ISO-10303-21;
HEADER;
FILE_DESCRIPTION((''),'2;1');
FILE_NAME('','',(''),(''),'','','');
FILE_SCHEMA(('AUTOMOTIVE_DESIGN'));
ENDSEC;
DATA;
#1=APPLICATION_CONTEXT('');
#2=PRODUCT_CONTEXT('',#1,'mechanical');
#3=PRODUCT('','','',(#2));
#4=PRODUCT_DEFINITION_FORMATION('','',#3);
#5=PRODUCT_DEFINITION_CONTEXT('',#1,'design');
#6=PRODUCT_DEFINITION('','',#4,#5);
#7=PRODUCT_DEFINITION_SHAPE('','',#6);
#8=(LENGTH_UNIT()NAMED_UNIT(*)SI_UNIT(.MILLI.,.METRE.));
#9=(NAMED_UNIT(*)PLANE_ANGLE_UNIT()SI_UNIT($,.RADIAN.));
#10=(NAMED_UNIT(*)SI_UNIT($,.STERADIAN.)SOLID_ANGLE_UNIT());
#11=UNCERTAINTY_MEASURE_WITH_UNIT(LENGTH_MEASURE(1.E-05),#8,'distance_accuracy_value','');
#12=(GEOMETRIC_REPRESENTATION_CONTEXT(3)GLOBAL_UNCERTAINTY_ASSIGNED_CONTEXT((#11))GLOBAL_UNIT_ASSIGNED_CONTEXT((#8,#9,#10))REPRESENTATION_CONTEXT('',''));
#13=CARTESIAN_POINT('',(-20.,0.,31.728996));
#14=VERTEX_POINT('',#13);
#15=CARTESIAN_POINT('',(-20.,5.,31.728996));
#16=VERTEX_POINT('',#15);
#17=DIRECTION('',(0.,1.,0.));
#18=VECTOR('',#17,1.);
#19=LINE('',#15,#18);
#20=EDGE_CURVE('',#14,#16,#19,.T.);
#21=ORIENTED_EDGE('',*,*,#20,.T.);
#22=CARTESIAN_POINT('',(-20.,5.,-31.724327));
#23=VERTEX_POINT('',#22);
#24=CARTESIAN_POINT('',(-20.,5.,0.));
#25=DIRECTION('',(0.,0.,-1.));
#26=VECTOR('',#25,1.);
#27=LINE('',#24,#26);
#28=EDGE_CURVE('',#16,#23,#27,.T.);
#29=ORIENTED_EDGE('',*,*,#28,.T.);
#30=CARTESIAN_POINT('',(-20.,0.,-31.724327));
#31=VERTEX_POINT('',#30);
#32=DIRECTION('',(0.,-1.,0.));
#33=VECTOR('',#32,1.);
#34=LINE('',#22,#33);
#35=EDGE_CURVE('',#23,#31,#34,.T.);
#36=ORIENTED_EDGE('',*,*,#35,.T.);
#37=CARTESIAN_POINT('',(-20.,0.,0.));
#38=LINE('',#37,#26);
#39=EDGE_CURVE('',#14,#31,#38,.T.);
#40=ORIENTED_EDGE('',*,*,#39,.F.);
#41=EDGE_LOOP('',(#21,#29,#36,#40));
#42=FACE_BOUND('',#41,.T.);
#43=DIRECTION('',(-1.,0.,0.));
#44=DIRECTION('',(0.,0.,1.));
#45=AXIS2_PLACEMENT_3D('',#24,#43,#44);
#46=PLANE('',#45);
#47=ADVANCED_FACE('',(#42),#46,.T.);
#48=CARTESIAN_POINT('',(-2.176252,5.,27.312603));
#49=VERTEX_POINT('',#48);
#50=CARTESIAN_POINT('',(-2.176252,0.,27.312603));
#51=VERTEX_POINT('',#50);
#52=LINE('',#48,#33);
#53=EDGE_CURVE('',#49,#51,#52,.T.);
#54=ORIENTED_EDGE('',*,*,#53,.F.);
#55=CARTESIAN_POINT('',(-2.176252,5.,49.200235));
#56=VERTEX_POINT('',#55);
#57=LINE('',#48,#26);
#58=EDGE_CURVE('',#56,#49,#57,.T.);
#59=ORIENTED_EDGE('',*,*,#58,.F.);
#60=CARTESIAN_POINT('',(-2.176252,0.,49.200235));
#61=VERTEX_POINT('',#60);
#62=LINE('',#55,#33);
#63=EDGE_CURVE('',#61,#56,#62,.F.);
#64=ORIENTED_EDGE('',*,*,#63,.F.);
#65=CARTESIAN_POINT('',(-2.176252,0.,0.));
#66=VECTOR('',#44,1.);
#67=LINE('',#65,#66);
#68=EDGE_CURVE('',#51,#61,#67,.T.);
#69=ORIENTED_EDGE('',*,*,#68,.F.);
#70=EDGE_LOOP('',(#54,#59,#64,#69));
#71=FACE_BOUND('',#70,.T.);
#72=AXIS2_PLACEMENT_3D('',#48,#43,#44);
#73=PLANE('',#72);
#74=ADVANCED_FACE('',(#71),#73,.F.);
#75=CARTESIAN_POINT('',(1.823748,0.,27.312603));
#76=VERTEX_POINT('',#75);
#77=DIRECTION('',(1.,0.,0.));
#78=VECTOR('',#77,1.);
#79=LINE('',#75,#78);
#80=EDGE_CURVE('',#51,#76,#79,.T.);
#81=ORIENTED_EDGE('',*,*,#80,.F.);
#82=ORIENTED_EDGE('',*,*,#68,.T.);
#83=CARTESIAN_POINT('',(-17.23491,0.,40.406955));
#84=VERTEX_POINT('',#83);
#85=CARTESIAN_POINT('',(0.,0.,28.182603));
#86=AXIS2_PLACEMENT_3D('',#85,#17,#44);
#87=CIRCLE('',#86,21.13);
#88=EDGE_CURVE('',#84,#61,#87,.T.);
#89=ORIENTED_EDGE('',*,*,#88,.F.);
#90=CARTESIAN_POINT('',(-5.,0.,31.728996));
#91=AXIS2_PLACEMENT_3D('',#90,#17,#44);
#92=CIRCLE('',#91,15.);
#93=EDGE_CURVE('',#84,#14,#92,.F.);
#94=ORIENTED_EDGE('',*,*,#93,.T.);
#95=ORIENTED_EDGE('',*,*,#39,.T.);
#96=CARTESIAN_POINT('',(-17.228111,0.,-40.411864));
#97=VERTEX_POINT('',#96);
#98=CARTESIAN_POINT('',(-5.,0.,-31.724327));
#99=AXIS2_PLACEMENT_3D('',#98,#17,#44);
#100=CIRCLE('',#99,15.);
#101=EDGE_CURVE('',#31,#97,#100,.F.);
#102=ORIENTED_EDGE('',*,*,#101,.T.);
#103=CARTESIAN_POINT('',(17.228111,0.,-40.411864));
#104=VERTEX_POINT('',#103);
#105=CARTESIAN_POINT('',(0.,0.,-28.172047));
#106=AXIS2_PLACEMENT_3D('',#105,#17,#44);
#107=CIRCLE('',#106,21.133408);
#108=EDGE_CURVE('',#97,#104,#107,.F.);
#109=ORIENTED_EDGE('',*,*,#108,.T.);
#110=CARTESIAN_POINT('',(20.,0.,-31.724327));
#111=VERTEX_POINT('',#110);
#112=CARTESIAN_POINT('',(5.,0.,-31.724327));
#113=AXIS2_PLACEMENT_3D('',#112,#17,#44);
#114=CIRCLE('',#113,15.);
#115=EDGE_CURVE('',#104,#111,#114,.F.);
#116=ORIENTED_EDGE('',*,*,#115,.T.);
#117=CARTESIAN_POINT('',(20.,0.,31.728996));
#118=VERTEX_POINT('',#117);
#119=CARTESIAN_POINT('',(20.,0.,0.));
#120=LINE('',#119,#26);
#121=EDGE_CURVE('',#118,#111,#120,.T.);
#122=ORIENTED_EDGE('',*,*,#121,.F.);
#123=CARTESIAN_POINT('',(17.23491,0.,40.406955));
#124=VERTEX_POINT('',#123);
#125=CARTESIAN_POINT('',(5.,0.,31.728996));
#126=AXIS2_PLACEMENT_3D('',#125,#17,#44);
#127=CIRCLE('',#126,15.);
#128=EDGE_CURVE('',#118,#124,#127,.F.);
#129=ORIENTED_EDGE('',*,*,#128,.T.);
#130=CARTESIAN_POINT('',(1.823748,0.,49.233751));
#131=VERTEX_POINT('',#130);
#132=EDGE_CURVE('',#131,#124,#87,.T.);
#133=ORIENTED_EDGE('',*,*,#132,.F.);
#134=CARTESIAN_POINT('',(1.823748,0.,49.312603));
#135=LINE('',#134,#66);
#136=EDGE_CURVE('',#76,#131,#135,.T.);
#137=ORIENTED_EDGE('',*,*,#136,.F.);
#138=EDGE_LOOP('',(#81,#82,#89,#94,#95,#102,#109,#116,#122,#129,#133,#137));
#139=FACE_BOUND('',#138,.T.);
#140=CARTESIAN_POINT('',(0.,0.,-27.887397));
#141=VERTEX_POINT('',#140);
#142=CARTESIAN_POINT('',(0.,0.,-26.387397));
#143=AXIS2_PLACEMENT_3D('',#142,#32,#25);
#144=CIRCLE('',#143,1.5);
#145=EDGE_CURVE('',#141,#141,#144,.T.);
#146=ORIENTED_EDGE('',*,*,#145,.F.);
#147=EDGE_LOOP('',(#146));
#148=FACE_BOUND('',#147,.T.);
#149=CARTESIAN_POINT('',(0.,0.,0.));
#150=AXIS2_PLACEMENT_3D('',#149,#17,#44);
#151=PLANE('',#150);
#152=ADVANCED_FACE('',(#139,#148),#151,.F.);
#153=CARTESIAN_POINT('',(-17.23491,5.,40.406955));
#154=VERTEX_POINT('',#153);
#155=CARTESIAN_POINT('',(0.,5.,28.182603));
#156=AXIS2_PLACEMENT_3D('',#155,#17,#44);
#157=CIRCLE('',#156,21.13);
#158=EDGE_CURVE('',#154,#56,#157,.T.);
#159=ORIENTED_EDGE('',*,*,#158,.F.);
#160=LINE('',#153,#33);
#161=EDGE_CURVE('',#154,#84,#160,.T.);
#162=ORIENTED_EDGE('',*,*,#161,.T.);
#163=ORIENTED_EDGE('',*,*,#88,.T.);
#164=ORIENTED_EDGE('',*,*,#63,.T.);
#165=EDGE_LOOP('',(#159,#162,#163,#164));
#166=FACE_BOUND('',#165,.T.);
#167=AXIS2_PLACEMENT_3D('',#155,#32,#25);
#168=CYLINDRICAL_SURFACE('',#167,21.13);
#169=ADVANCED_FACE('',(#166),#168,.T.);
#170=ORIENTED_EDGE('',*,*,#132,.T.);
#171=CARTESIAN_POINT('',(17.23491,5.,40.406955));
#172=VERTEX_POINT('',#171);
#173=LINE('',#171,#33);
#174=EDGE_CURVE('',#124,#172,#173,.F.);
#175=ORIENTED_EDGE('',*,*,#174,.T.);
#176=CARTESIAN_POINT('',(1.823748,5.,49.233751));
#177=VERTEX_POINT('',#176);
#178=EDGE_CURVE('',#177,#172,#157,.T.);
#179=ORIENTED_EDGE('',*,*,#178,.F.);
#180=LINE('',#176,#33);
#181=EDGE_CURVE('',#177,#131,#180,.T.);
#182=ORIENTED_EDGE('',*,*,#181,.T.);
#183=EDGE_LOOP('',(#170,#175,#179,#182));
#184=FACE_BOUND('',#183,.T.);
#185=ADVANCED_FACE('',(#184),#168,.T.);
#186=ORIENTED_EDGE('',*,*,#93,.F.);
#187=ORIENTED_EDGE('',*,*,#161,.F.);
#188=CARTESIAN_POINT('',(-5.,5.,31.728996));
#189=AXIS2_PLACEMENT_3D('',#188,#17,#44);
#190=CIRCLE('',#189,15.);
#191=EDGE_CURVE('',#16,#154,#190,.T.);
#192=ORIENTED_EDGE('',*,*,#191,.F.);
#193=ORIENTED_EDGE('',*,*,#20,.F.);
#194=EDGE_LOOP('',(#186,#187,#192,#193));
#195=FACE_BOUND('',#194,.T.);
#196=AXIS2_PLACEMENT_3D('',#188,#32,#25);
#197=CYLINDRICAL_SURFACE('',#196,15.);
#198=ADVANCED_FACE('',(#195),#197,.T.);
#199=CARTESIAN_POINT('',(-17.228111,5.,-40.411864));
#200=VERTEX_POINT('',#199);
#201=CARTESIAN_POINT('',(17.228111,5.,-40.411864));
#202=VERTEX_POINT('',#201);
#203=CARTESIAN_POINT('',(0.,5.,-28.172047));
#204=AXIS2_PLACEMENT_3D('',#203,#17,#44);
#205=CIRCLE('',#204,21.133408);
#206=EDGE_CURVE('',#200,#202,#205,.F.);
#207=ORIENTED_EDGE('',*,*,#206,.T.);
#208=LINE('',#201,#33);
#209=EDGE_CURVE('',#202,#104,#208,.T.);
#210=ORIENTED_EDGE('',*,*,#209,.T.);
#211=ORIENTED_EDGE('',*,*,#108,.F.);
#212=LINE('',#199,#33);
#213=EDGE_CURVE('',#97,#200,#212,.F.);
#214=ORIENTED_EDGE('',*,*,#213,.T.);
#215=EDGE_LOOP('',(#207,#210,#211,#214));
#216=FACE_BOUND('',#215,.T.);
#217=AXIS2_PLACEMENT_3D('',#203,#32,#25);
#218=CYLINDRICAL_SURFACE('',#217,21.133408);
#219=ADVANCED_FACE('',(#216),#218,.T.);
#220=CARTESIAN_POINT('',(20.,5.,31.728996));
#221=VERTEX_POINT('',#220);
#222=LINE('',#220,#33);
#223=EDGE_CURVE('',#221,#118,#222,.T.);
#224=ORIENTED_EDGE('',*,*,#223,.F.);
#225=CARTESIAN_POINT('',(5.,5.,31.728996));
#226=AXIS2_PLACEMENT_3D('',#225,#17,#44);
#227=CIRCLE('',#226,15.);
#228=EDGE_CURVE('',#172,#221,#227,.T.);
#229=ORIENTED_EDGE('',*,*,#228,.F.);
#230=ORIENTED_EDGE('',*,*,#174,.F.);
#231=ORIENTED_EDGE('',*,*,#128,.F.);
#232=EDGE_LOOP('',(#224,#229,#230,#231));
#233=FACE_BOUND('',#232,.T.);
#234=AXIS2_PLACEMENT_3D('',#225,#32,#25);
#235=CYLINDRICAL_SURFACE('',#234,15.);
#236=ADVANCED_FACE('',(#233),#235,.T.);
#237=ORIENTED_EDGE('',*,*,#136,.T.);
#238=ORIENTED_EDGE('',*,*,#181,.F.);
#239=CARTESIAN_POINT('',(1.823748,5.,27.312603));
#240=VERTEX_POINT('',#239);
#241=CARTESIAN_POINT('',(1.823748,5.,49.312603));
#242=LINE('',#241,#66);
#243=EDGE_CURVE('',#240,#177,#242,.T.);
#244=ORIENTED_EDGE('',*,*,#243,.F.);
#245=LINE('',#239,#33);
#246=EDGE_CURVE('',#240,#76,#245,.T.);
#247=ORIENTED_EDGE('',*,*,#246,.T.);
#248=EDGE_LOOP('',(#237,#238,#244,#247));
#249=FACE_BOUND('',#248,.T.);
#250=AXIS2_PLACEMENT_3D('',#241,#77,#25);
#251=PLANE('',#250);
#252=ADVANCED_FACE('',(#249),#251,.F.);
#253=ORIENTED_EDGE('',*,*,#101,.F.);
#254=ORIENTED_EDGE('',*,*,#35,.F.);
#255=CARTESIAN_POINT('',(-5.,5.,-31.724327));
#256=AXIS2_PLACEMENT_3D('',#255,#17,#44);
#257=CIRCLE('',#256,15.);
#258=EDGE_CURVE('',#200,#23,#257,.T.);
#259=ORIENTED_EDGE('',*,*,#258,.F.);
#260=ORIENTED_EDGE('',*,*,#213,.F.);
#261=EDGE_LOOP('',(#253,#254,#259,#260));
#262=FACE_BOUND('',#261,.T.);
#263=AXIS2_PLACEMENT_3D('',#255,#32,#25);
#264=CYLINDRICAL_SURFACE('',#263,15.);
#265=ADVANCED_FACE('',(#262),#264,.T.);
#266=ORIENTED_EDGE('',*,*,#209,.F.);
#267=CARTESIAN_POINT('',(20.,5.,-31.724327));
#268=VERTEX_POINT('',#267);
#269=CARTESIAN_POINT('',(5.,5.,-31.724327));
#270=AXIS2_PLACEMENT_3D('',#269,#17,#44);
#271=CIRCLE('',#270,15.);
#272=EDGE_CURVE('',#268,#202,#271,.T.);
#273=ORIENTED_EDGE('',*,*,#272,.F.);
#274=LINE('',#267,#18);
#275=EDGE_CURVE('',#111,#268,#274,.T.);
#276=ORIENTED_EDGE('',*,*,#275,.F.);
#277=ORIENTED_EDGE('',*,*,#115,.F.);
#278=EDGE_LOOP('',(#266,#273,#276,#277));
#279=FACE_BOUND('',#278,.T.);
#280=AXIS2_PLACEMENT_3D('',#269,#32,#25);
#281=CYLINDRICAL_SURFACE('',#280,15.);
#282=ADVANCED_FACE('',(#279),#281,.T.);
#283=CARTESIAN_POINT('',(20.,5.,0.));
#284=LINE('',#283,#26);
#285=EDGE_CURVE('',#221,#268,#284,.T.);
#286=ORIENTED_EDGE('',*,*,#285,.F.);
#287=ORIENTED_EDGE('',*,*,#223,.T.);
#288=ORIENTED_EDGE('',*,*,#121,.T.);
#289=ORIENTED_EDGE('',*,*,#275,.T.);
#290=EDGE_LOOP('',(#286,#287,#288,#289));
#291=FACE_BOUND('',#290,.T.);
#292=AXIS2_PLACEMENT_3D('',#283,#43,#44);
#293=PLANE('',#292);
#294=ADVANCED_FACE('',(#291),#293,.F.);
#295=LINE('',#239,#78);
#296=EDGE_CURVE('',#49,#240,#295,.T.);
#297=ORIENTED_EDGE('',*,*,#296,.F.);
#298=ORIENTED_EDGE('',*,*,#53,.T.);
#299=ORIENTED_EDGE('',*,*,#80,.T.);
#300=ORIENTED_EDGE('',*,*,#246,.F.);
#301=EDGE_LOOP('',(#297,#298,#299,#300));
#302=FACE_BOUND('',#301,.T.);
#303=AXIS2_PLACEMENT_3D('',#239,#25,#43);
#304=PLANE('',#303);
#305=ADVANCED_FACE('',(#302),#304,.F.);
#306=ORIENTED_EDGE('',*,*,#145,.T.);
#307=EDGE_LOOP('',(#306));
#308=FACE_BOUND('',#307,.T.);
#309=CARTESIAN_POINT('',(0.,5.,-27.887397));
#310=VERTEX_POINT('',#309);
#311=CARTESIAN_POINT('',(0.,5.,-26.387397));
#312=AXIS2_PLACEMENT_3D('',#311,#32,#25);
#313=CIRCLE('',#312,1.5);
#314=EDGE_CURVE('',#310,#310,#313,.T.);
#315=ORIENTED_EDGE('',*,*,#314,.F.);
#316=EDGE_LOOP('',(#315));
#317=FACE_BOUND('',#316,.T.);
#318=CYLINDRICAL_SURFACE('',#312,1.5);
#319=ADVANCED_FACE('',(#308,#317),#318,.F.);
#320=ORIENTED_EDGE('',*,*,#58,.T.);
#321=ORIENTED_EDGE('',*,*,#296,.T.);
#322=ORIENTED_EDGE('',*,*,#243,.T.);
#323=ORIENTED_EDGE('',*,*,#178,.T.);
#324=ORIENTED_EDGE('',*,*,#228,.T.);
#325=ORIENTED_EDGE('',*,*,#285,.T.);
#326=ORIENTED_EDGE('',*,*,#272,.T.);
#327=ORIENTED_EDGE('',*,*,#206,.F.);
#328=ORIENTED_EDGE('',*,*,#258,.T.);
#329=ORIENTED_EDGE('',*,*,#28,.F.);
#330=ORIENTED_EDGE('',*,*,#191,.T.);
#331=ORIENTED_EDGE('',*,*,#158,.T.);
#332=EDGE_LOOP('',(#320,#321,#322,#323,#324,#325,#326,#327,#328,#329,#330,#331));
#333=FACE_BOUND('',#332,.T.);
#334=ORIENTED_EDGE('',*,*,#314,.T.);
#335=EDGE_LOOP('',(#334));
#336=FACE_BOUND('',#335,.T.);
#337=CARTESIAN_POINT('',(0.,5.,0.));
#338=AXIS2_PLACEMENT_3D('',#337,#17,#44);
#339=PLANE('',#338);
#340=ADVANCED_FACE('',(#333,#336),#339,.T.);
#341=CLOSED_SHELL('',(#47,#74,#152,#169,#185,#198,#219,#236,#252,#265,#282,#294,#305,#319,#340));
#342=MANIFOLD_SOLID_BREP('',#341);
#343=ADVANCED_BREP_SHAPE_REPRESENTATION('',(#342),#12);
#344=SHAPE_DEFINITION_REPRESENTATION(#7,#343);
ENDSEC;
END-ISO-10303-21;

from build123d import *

# Parameters (mm, degrees)
SKETCH2_W           = 40
SKETCH2_H           = 70
BOSS_EXTRUDE1_DEPTH = 5
FILLET1_R           = 15
CUT_EXTRUDE1_DEPTH  = 6
SKETCH4_R           = 1.5
CUT_EXTRUDE2_DEPTH  = 6


with BuildPart() as part:
    # Sketch2 → Boss-Extrude1 (new body)
    with BuildSketch(Plane(origin=(0, 0, 0), x_dir=(1, 0, 0), z_dir=(0, 1, 0))):
        with BuildLine():
            Line((-20, -35), (20, -35))
            ThreePointArc((20, -35), (0, -49.312603136), (-20, -35))
        make_face()
        Rectangle(SKETCH2_W, SKETCH2_H)
        with BuildLine():
            ThreePointArc((-20, 35), (0, 49.305454963), (20, 35))
            Line((20, 35), (-20, 35))
        make_face()
    extrude(amount=BOSS_EXTRUDE1_DEPTH)

    # Fillet1
    fillet1_edges = [part.edges().sort_by_distance(p)[0] for p in [
        (-20, 2.5, 35),
        (-20, 2.5, -35),
        (20, 2.5, -35),
        (20, 2.5, 35),
    ]]
    fillet(fillet1_edges, radius=FILLET1_R)

    # Sketch3 → Cut-Extrude1 (cut, through all)
    with BuildSketch(Plane.XZ):
        Polygon((0, 49.312603136), (1.823748233, 49.312603136), (1.823748233, 27.312603136), (-2.176251767, 27.312603136), (-2.176251767, 49.312603136), align=None)
    extrude(amount=-CUT_EXTRUDE1_DEPTH, mode=Mode.SUBTRACT)

    # Sketch4 → Cut-Extrude2 (cut, through all)
    with BuildSketch(Plane.XZ):
        with Locations((0, -26.387396864)):
            Circle(SKETCH4_R)
    extrude(amount=-CUT_EXTRUDE2_DEPTH, mode=Mode.SUBTRACT)


solid = part.part
